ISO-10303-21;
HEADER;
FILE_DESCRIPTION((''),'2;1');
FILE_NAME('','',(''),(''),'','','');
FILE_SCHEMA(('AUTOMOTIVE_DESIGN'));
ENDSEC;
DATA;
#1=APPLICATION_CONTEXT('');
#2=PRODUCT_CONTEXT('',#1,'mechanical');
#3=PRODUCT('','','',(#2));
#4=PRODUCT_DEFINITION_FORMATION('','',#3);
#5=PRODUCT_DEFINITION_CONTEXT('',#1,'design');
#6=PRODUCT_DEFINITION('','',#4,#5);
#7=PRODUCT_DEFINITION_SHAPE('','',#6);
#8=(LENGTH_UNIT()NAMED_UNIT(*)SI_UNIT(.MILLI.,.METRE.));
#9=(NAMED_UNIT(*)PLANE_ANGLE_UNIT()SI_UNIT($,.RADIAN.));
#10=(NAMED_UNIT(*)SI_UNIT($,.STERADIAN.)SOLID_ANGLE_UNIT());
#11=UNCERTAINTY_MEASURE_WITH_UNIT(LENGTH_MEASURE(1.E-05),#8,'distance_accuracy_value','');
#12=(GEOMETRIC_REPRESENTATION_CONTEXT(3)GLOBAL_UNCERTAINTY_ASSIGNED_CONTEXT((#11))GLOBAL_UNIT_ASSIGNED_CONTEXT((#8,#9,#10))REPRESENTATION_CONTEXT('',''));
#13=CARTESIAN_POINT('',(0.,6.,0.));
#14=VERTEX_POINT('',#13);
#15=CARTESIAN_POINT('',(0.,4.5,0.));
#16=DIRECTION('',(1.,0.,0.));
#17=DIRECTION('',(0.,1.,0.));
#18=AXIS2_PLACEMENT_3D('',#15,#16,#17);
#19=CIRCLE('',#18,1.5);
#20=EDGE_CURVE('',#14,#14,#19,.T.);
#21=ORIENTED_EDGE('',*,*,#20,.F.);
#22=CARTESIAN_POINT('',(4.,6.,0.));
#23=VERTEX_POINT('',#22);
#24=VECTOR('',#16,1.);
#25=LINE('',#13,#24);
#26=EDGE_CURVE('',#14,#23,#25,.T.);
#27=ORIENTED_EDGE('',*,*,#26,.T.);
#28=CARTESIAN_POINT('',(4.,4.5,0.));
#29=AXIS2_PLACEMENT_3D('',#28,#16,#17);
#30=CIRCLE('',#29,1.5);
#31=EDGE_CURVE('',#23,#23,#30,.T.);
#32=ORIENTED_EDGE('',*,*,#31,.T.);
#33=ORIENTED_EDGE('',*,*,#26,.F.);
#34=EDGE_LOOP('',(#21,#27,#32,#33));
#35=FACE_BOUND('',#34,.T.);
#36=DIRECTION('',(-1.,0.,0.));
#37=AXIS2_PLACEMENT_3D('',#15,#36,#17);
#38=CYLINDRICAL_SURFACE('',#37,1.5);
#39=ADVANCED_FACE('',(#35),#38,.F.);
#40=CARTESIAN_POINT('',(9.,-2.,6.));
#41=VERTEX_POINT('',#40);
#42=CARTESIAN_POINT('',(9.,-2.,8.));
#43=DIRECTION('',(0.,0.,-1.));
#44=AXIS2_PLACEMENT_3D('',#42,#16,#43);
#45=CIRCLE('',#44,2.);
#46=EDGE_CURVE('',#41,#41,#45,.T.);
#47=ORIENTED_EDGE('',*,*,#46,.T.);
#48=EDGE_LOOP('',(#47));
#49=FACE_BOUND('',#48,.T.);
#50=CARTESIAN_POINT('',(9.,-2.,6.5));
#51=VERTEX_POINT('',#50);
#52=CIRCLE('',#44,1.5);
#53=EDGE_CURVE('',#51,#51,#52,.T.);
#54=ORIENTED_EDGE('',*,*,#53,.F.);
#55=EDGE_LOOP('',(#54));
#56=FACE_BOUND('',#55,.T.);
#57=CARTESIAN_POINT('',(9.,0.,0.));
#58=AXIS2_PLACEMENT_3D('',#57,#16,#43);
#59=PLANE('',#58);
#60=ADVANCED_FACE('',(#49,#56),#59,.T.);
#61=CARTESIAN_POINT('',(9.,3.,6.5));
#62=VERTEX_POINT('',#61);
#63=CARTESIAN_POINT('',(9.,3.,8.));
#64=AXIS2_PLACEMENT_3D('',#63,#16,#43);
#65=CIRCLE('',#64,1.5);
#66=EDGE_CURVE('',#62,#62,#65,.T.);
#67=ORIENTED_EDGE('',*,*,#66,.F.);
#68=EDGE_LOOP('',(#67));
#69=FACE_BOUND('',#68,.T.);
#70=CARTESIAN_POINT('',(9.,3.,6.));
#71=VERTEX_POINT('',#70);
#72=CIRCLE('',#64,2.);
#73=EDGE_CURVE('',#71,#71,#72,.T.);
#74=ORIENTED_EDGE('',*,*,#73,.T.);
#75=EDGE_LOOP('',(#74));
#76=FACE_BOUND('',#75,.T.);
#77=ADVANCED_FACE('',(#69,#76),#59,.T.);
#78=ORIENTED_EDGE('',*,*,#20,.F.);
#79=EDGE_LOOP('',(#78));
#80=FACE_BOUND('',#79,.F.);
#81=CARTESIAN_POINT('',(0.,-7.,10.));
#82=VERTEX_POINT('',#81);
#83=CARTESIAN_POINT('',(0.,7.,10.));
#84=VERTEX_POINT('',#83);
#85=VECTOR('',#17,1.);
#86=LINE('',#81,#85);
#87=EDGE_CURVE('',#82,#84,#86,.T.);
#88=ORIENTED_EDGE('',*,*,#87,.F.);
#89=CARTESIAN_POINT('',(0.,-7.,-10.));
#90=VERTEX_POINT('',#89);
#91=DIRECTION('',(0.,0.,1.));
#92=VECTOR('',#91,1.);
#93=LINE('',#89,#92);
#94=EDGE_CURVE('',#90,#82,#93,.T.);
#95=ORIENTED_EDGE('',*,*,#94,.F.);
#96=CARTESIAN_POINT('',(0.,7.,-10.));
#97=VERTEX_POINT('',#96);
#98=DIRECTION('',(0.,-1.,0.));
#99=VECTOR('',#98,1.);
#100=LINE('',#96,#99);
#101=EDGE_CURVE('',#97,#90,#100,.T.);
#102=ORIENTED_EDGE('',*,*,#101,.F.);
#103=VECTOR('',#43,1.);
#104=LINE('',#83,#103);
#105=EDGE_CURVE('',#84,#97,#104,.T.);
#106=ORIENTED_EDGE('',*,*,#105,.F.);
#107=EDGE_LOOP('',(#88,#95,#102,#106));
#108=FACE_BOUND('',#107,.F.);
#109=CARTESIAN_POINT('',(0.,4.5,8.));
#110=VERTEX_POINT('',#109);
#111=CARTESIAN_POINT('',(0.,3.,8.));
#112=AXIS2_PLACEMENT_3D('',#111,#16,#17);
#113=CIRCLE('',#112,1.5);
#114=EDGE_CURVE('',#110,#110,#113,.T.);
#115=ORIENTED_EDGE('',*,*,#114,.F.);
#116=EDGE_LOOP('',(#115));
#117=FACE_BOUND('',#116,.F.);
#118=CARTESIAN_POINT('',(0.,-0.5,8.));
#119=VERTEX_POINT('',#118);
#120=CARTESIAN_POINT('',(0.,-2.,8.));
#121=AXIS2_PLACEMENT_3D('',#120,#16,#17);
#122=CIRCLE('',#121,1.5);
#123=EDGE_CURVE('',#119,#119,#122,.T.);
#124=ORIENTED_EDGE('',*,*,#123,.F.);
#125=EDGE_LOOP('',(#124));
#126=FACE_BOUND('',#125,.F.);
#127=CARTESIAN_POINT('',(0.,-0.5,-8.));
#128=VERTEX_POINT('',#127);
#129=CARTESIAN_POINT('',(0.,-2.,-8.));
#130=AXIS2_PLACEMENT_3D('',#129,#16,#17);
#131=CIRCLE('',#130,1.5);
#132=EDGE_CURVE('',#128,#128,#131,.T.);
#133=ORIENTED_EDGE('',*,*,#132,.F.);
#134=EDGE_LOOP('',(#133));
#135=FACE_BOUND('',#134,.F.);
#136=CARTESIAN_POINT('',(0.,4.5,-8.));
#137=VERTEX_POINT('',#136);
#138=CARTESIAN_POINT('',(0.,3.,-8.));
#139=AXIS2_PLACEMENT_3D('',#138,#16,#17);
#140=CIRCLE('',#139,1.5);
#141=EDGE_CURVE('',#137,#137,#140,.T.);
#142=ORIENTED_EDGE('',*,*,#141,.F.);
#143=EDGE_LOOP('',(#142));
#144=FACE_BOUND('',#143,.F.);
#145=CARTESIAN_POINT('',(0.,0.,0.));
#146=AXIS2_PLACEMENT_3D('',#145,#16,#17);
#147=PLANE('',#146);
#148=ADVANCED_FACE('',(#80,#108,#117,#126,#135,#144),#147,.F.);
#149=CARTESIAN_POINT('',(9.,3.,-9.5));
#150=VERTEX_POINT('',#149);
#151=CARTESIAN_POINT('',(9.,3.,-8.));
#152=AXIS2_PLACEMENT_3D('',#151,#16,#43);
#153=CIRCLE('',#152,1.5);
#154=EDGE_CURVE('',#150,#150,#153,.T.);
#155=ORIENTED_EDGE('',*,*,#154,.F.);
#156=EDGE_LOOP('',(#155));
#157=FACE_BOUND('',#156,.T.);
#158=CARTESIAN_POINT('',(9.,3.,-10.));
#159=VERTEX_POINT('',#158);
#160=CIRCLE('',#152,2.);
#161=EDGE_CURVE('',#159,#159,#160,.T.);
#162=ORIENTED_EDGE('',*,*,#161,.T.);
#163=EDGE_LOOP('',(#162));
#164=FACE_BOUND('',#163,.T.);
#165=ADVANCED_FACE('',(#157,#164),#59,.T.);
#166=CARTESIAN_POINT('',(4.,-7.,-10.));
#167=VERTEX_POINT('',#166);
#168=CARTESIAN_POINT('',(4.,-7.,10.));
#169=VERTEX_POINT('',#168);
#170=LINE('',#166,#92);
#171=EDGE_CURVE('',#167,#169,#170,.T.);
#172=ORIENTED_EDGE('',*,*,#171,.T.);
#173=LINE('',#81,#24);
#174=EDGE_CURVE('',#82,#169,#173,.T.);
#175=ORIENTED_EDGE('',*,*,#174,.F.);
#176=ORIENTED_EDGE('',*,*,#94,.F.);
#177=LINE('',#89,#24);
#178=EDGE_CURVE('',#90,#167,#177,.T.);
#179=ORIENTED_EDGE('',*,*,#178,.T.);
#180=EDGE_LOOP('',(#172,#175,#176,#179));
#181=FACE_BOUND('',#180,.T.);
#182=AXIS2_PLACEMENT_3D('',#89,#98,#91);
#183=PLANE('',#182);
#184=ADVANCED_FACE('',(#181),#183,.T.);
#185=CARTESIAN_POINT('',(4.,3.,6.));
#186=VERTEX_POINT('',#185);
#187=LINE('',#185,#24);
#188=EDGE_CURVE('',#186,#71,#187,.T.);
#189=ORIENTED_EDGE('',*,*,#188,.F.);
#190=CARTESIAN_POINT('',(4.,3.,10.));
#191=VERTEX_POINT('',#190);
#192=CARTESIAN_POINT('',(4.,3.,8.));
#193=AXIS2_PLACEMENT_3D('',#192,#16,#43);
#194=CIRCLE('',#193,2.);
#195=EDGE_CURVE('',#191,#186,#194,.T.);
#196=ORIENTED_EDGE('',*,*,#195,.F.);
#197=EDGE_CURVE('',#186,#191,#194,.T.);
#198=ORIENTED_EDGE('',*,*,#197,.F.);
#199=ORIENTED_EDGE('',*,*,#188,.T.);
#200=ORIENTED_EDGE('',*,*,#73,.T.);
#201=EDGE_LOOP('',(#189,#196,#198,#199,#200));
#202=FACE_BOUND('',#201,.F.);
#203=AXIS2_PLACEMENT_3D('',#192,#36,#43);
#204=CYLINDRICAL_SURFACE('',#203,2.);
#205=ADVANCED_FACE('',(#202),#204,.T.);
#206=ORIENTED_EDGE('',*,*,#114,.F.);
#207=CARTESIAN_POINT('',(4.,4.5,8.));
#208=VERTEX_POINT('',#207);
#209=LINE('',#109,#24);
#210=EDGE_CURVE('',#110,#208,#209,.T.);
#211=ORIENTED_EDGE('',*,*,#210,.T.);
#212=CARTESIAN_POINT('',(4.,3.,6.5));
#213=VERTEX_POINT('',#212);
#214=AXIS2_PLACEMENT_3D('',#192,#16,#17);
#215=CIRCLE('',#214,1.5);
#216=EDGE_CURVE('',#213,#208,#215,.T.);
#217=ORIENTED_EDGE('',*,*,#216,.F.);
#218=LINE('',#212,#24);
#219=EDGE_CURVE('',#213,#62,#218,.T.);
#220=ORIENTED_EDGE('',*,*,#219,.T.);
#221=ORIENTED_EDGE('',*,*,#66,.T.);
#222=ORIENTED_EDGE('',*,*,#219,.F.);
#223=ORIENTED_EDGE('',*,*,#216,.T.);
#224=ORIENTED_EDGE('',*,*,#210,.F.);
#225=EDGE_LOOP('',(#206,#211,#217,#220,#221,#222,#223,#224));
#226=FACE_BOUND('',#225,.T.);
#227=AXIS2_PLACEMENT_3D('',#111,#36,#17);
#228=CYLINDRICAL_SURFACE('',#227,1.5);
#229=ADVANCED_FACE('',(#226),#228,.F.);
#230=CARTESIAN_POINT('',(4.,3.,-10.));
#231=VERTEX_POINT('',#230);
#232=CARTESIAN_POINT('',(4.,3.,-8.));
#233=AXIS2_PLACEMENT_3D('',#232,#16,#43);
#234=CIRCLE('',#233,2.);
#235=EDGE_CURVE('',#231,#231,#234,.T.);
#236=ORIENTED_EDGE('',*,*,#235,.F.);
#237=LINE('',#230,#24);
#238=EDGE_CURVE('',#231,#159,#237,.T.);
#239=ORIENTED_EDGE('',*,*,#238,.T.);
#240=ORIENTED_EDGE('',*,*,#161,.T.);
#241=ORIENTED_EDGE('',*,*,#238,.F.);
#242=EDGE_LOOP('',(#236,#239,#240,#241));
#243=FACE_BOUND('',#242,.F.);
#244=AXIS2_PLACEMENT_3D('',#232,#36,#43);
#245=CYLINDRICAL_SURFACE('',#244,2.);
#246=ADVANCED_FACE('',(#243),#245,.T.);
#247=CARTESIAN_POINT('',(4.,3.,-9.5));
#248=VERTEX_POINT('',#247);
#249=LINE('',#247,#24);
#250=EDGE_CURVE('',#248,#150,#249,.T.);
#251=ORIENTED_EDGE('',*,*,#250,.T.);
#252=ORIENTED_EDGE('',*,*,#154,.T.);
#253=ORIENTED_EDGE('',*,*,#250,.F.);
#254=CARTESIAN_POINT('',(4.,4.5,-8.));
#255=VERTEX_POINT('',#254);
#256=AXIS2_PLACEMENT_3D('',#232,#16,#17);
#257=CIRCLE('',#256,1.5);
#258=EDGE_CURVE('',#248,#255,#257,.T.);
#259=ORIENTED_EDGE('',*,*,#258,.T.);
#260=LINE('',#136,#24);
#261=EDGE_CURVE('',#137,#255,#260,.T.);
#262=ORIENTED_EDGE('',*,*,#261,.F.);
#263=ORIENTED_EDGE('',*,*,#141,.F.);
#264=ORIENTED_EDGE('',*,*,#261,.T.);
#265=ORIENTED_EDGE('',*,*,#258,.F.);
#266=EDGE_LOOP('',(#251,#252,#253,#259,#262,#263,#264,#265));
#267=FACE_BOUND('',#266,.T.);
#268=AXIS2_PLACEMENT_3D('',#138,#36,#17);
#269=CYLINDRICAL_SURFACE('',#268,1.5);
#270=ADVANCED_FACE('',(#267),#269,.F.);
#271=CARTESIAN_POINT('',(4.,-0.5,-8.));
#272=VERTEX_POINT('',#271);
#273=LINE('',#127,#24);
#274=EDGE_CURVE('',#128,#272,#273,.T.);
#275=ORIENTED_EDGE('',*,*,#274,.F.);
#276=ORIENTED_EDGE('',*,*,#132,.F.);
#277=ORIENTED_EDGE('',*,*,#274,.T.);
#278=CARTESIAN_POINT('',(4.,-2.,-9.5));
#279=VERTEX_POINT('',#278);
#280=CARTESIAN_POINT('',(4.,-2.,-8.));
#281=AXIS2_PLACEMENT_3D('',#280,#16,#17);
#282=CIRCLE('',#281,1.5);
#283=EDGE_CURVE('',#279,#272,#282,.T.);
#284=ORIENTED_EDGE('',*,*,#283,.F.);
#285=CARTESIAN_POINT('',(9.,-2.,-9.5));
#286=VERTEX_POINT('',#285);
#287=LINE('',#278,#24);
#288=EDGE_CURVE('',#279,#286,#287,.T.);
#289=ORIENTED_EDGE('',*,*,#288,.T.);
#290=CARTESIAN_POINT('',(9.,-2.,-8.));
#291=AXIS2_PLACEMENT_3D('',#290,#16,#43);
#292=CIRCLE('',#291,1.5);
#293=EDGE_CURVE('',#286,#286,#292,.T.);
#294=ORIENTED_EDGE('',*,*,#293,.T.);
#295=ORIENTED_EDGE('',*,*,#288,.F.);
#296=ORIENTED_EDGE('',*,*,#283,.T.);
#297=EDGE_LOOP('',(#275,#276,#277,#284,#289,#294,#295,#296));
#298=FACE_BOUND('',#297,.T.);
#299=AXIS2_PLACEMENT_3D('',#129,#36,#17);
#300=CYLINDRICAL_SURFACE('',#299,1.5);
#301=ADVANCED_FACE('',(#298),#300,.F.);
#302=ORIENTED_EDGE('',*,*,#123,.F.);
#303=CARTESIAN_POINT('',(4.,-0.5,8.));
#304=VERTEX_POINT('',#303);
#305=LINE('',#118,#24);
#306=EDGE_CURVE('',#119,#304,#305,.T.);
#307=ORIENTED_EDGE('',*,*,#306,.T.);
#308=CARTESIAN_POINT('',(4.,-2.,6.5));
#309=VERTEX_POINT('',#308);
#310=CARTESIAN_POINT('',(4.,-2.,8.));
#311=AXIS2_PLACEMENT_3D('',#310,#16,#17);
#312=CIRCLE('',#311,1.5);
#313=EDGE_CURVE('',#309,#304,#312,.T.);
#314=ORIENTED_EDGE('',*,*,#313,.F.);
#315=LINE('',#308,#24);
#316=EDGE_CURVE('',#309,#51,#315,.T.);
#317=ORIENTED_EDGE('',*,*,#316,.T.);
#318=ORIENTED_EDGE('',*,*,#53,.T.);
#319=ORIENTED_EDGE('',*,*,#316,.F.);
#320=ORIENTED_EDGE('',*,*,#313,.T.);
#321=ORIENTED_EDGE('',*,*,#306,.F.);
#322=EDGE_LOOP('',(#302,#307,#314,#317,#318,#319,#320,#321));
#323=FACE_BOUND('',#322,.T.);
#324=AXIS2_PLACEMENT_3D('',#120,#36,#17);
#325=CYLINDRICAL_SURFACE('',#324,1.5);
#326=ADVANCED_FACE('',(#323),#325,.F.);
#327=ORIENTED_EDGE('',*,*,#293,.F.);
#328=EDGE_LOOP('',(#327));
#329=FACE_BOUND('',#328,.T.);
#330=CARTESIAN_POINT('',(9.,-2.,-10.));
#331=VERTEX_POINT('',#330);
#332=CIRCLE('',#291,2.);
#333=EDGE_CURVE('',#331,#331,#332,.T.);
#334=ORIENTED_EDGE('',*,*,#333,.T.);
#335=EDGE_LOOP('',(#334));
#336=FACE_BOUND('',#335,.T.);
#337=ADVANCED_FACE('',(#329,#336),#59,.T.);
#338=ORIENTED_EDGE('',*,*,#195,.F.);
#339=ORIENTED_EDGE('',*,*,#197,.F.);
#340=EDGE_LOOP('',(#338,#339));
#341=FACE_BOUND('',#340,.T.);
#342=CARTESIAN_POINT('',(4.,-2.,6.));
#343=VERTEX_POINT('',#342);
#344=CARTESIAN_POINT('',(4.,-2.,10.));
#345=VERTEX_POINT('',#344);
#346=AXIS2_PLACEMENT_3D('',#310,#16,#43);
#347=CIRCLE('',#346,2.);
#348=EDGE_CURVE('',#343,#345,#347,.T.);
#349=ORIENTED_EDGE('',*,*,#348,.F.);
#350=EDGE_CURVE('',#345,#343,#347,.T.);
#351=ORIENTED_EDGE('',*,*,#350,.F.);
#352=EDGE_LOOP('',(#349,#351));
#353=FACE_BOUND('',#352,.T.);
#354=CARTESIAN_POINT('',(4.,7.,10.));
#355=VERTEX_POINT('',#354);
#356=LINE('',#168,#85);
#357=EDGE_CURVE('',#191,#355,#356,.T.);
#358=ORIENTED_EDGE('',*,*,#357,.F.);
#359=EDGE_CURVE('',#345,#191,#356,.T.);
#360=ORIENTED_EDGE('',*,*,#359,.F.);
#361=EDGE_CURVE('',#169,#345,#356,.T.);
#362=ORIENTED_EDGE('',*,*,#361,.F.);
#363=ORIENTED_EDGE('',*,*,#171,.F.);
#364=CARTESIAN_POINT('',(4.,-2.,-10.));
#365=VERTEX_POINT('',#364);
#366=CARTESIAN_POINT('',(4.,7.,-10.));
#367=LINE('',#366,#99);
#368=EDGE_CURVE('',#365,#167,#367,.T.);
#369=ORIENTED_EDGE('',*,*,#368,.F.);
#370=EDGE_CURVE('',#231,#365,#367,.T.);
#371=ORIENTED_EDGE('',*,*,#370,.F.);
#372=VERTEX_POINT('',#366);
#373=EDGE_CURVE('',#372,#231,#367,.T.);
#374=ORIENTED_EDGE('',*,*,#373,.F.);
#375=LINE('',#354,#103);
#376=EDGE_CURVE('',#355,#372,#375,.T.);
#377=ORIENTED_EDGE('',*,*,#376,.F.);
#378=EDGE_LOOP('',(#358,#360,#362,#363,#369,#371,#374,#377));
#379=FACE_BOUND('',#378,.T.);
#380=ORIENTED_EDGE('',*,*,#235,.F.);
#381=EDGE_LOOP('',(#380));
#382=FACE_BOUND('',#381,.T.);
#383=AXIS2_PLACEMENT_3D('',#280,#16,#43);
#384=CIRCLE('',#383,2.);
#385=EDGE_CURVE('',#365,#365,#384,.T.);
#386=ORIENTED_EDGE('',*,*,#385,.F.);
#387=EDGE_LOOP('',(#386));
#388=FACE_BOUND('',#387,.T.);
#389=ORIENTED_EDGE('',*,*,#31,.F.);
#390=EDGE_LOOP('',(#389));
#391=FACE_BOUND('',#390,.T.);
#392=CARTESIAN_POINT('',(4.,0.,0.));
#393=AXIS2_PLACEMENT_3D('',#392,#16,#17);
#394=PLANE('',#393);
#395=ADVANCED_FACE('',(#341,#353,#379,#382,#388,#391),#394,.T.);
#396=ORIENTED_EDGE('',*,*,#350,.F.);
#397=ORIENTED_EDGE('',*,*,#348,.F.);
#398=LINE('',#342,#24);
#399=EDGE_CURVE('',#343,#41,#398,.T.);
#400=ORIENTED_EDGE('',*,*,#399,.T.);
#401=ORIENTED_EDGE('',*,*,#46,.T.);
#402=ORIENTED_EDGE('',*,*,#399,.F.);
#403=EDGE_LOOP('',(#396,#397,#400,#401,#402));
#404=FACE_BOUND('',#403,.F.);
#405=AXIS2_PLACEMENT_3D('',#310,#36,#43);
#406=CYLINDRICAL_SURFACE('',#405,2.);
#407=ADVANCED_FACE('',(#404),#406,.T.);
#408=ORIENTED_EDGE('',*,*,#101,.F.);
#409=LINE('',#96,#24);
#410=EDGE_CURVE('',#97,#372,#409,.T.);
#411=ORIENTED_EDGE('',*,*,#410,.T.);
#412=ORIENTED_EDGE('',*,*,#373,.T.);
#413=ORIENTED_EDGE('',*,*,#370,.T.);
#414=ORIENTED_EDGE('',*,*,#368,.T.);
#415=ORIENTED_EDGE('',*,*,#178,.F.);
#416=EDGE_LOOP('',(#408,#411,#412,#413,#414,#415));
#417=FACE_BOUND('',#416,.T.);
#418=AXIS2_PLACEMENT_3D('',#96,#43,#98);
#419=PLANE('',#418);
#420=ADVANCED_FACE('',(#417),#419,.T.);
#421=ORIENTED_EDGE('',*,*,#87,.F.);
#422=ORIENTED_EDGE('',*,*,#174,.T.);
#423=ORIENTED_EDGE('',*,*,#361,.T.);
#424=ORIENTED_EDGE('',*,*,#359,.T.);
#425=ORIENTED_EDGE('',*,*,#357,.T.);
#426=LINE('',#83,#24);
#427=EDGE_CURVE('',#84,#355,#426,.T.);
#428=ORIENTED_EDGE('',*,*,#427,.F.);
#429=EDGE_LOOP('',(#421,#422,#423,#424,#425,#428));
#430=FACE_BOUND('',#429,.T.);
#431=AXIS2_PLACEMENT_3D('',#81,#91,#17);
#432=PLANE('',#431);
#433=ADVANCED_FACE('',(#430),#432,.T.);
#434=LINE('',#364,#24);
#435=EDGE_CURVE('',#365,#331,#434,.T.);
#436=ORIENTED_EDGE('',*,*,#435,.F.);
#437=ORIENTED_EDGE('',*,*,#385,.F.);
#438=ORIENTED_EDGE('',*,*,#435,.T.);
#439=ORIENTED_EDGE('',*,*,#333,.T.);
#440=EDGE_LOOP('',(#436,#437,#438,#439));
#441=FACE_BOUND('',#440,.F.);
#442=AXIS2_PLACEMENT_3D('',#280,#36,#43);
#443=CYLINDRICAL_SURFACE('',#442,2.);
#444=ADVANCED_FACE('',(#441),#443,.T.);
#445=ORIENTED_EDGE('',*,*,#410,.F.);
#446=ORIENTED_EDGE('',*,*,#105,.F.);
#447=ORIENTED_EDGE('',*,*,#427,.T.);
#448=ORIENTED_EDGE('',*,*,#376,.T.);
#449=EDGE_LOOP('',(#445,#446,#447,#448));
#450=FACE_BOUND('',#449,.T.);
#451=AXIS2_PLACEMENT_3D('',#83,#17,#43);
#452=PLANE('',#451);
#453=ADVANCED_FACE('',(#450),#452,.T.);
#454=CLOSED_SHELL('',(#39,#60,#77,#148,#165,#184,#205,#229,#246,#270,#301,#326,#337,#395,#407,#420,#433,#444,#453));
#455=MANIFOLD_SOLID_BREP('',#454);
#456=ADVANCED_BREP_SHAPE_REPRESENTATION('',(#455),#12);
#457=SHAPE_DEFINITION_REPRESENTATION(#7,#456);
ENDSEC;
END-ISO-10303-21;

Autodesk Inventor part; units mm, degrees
ref_plane "YZ Plane" through (0, 0, 0) normal (1, 0, 0) x (0, 1, 0)
ref_plane "XZ Plane" through (0, 0, 0) normal (0, 1, 0) x (-1, 0, 0)
ref_plane "XY Plane" through (0, 0, 0) normal (0, 0, 1) x (1, 0, 0)
sketch "スケッチ1" plane through (0, 0, 0) normal (1, 0, 0) x (0, 1, 0)
  line L0 (-7, 10) -> (7, 10)
  line L1 (7, 10) -> (7, -10)
  line L2 (7, -10) -> (-7, -10)
  line L3 (-7, -10) -> (-7, 10)
  line L4 (-7, 10) -> (7, -10) construction
  line L5 (7, 10) -> (-7, -10) construction
  circle A0 centre (-2, 8) radius 1.5
  circle A1 centre (3, 8) radius 1.5
  circle A2 centre (3, -8) radius 1.5
  circle A3 centre (-2, -8) radius 1.5
  circle A4 centre (4.5, 0) radius 1.5
  point P0 (0, 0)
  dimension "d0" = 3
  dimension "d1" = 3
  dimension "d2" = 3
  dimension "d3" = 3
  dimension "d4" = 5
  dimension "d5" = 5
  dimension "d6" = 20
  dimension "d7" = 16
  dimension "d8" = 2
  dimension "d9" = 2
  dimension "d10" = 5
  dimension "d11" = 1.5
  dimension "d12" = 3
  dimension "d22" = 1
  dimension "d23" = 0
  dimension "d24" = 0
extrude "押し出し1" add sketch "スケッチ1" along normal blind 4
sketch "スケッチ2" plane through (4, 0, 0) normal (1, 0, 0) x (0, 0, -1)
  circle A0 centre (-8, 3) radius 2
  circle A1 centre (-8, -2) radius 2
  circle A2 centre (8, -2) radius 2
  circle A3 centre (8, 3) radius 1.5 projected
  circle A4 centre (8, 3) radius 2
  circle A5 centre (-8, 3) radius 1.5 projected
  circle A6 centre (-8, -2) radius 1.5 projected
  circle A7 centre (8, -2) radius 1.5 projected
  point P0 (0, 0)
  dimension "d15" = 4
  dimension "d16" = 4
  dimension "d17" = 4
  dimension "d18" = 4
extrude "押し出し2" add sketch "スケッチ2" along normal blind 5
properties part number "base_topPart"
